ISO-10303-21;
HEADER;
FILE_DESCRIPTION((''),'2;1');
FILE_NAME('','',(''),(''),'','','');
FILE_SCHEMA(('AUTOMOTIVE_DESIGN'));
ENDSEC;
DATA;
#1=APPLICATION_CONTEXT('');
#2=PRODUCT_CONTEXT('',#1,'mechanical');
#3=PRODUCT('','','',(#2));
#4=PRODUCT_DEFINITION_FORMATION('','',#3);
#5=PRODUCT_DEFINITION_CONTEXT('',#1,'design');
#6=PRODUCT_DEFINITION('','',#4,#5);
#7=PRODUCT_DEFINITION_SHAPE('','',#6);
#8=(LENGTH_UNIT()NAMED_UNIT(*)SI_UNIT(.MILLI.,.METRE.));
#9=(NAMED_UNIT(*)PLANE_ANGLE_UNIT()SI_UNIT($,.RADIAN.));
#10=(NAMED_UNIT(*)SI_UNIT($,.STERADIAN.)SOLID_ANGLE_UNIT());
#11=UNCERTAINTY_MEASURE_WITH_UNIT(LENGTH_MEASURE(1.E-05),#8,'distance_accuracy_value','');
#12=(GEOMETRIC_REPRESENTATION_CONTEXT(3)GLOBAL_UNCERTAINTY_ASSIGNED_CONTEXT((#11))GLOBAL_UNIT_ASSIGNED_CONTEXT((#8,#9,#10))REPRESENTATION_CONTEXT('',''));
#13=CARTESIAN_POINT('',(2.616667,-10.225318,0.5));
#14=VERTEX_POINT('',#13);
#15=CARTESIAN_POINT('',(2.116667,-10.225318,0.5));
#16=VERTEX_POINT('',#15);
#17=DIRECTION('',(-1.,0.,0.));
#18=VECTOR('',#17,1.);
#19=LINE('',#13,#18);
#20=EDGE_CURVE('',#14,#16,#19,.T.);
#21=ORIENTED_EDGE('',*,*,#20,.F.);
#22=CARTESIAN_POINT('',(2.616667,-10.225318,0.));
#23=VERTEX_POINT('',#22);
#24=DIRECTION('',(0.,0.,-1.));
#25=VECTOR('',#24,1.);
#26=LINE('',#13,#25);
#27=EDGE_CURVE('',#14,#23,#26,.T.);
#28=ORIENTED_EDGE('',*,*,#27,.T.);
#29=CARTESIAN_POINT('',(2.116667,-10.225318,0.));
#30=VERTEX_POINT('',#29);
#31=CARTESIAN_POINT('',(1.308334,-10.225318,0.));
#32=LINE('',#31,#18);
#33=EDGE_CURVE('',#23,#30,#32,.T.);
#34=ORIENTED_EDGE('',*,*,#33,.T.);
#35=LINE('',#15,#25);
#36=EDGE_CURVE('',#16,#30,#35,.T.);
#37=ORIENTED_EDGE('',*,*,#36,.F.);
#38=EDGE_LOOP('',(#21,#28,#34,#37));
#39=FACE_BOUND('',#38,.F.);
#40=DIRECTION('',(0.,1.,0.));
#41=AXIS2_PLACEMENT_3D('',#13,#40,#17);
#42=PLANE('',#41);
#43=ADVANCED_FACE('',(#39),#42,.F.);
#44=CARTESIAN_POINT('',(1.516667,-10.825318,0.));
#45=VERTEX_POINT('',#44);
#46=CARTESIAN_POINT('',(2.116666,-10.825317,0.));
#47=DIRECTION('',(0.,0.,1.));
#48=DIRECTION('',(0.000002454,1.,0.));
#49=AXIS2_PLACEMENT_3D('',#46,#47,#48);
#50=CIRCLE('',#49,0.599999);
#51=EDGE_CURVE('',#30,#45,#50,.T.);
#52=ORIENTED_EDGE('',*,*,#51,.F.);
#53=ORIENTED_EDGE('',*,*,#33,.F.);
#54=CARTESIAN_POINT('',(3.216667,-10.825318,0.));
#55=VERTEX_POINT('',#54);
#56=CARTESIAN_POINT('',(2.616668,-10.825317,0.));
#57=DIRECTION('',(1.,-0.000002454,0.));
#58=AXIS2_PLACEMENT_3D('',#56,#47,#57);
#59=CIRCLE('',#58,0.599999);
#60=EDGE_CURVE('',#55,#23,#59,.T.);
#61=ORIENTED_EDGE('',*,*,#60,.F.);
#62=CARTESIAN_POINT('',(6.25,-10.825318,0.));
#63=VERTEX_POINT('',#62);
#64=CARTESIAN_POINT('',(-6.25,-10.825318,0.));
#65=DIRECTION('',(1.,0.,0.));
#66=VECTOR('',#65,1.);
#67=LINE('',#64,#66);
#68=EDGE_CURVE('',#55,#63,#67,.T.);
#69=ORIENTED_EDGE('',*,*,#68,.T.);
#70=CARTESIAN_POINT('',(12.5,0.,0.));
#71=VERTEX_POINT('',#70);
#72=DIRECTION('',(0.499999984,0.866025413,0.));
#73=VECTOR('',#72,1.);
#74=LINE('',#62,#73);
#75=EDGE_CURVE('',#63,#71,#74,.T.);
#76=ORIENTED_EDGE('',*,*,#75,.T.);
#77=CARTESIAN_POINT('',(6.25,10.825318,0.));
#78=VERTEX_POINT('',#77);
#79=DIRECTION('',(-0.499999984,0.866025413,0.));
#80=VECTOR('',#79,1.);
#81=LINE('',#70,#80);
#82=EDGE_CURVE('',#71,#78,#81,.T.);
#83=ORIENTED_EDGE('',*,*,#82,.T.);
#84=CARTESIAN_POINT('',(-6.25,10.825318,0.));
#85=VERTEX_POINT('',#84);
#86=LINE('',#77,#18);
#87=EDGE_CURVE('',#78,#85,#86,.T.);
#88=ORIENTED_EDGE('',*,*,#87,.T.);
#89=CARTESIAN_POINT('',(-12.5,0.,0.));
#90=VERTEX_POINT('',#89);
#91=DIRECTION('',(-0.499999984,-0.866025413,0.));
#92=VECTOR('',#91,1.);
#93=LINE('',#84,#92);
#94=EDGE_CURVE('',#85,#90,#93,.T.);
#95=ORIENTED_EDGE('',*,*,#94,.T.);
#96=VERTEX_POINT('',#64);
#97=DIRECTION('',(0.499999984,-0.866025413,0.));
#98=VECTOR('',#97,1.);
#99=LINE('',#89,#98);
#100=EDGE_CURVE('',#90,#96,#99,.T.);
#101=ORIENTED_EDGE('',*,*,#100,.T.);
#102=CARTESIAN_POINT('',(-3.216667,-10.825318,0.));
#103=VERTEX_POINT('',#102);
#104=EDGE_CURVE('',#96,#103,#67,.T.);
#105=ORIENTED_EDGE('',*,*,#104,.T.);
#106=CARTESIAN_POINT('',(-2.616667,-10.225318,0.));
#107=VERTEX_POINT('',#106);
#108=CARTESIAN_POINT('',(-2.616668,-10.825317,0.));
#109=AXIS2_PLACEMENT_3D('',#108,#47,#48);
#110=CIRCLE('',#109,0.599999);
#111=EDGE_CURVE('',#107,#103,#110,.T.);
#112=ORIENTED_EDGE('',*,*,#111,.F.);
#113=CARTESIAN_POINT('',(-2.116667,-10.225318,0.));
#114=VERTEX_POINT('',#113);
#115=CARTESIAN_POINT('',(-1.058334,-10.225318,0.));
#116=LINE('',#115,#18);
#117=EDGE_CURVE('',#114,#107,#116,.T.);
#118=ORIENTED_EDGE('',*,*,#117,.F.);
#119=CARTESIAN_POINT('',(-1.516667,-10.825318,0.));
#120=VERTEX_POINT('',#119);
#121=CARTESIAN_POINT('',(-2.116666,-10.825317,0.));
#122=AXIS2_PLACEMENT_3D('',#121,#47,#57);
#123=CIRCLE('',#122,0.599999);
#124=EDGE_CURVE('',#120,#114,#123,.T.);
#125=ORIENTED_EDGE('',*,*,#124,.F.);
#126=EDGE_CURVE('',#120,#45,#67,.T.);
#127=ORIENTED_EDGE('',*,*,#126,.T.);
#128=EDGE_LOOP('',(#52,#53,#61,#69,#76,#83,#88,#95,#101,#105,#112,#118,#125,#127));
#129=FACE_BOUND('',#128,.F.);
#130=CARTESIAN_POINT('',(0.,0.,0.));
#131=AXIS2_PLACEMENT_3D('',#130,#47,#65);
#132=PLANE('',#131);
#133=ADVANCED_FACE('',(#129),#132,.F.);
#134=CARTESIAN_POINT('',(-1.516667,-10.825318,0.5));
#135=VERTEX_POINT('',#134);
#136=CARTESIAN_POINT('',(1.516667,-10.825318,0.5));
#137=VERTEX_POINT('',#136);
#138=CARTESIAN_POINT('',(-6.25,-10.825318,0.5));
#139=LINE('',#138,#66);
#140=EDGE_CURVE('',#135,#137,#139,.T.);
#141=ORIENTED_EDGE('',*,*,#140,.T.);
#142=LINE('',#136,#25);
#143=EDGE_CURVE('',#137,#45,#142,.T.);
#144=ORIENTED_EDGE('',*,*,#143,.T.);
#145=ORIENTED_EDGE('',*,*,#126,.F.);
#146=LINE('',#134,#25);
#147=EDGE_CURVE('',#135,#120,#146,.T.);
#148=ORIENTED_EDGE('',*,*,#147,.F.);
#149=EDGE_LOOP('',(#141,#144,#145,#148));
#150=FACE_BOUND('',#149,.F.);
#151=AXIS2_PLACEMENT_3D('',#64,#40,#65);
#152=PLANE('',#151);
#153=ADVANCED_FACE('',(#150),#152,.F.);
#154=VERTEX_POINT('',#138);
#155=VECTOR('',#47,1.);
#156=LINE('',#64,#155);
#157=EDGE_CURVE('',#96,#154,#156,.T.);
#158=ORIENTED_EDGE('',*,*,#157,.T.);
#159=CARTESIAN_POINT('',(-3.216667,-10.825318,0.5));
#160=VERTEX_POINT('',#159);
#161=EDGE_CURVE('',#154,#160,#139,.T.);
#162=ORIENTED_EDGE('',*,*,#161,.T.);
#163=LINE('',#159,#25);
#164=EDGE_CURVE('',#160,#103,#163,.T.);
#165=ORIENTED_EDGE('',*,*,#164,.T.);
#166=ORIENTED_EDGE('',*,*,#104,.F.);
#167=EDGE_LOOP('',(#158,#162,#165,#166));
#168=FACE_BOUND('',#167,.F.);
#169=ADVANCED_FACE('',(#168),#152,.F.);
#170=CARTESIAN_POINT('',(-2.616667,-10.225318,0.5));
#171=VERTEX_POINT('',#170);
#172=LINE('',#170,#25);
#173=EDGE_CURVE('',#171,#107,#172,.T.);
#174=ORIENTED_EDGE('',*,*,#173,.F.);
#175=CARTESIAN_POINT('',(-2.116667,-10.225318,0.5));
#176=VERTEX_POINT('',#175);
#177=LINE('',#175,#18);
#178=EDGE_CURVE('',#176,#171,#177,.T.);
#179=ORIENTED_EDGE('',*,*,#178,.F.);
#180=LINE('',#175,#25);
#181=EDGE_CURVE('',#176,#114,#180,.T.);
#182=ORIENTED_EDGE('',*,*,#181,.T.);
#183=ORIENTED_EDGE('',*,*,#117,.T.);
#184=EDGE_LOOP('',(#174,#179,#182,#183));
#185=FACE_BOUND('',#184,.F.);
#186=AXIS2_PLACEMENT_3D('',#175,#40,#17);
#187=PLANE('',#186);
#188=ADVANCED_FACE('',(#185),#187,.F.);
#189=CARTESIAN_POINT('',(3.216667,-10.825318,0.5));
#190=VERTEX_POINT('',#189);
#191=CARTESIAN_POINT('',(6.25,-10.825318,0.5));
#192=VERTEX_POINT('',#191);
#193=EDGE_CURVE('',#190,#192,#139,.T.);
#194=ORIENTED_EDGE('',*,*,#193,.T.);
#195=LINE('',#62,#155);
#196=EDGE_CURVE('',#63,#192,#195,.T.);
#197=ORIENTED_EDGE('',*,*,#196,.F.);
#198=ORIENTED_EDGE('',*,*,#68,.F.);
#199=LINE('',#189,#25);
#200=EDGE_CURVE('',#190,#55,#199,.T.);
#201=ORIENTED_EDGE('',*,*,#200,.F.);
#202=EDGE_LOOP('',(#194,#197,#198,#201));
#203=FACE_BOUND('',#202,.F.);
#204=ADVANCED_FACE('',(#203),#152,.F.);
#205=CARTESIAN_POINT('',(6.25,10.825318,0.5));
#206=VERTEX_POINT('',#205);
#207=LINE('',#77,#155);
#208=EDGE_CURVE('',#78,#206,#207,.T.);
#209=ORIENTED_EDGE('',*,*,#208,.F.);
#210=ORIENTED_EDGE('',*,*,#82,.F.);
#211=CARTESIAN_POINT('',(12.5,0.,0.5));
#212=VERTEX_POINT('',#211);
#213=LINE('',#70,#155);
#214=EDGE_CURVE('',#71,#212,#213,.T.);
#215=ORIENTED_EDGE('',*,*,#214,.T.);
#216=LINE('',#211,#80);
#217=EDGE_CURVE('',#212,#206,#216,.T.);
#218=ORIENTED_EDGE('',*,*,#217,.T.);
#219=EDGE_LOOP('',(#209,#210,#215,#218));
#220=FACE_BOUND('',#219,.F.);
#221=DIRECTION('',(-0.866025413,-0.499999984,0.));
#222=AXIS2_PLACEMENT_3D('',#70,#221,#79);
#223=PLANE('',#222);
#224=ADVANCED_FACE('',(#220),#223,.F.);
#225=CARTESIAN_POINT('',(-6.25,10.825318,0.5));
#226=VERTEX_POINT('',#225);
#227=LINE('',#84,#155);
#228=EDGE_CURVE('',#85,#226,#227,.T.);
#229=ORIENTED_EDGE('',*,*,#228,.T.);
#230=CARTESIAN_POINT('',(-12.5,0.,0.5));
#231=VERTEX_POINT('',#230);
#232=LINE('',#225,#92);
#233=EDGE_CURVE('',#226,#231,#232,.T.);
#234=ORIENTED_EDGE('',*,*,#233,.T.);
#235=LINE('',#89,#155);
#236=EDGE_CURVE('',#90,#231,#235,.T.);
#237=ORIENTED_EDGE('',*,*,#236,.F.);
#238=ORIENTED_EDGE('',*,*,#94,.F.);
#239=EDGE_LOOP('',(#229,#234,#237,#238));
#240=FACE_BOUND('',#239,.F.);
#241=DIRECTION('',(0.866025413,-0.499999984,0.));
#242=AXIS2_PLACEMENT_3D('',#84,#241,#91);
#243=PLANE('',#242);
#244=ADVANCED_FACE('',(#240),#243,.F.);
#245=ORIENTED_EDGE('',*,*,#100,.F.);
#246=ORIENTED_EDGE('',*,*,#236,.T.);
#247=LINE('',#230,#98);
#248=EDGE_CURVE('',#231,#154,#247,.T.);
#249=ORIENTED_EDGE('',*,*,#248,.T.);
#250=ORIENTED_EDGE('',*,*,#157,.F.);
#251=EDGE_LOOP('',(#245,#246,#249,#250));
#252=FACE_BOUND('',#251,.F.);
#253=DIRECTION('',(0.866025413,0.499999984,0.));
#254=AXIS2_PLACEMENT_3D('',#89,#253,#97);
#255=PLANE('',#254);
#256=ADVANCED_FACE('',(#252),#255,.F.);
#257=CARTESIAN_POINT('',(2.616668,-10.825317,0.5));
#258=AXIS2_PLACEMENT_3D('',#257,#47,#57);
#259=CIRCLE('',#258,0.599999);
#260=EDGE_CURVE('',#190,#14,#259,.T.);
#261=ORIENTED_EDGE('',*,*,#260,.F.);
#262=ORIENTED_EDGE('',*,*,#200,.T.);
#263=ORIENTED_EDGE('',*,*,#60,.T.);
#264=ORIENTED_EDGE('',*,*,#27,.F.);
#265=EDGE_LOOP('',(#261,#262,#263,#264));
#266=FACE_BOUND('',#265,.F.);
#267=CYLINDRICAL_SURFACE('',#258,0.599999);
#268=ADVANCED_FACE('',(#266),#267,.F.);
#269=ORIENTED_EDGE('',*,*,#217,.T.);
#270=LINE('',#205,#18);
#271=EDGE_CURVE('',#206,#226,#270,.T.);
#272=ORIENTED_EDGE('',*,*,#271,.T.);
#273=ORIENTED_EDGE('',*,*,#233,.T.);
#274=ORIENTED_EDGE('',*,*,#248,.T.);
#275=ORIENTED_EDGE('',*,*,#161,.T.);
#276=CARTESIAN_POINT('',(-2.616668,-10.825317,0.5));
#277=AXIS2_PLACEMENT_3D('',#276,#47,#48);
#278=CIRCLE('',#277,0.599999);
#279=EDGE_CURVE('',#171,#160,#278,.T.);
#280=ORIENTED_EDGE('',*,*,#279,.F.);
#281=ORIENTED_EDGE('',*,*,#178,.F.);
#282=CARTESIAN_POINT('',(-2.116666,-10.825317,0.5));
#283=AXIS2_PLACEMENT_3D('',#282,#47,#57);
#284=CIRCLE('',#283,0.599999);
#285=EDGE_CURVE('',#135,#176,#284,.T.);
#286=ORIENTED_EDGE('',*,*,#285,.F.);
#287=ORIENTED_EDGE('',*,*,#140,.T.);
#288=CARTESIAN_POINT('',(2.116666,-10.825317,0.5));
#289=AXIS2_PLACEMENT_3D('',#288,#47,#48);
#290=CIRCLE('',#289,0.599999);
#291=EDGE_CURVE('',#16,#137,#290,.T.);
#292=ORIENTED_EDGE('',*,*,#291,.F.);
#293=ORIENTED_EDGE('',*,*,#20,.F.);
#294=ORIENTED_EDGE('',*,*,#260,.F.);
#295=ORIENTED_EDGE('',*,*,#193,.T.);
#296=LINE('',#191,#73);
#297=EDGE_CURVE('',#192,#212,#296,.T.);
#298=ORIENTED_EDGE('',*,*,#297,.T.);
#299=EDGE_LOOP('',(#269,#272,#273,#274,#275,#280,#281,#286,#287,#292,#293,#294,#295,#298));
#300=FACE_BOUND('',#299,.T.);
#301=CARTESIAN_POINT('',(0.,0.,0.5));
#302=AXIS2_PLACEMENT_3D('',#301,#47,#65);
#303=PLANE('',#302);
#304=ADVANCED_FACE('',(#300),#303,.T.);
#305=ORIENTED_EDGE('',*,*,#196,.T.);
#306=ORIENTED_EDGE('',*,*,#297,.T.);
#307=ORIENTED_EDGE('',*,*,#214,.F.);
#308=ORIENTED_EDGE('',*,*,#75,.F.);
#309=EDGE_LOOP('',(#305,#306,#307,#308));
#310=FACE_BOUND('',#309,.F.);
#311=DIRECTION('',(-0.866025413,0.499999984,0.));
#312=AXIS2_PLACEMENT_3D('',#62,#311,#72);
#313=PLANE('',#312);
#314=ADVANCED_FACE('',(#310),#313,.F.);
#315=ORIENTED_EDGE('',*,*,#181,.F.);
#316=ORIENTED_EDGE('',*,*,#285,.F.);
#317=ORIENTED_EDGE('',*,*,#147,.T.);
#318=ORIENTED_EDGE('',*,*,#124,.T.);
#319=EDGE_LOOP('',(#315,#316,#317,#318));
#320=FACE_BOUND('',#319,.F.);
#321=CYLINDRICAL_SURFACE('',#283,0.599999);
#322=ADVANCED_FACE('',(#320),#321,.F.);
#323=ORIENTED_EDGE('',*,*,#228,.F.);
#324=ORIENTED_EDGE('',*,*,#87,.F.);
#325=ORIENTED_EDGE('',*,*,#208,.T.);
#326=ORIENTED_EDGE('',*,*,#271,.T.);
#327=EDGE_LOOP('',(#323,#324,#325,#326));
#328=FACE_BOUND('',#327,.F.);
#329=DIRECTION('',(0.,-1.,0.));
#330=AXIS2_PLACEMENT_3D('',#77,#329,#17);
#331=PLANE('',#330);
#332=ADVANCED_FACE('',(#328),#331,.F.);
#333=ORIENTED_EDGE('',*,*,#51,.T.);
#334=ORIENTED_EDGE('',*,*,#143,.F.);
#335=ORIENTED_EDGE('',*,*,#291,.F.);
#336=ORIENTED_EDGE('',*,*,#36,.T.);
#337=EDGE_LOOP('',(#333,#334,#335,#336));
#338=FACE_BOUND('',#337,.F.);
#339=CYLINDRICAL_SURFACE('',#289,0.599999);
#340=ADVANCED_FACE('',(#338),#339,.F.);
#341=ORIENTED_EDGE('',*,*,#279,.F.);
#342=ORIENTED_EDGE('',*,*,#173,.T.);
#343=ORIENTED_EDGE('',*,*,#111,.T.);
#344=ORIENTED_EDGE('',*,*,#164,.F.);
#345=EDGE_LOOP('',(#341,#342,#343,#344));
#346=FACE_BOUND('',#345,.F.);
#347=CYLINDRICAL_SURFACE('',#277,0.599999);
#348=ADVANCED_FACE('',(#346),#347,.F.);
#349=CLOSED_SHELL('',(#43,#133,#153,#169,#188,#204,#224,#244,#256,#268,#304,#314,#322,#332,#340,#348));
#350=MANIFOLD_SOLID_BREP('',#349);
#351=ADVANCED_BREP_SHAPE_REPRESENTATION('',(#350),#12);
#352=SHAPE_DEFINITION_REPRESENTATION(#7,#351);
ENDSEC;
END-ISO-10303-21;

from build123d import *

# Parameters (mm, degrees)
F1_DEPTH = 0.5
F3_DEPTH = 0.501


with BuildPart() as f1:
    # F0 (on Top) → F1 (new body)
    with BuildSketch(Plane.XY):
        Polygon((6.25, -10.825318), (12.5, 0), (6.25, 10.825318), (-6.25, 10.825318), (-12.5, 0), (-6.25, -10.825318), align=None)
    extrude(amount=F1_DEPTH)

    # F2 (on face) → F3 (cut, through all)
    with BuildSketch(Plane.XY.offset(0.5)):
        with BuildLine():
            ThreePointArc((3.216667, -10.825318), (3.040931, -10.401053), (2.616667, -10.225318))
            Line((2.616667, -10.225318), (2.116667, -10.225318))
            ThreePointArc((2.116667, -10.225318), (1.692403, -10.401053), (1.516667, -10.825318))
            Line((1.516667, -10.825318), (3.216667, -10.825318))
        make_face()
        with BuildLine():
            Line((-3.216667, -10.825318), (-1.516667, -10.825318))
            ThreePointArc((-1.516667, -10.825318), (-1.692403, -10.401053), (-2.116667, -10.225318))
            Line((-2.116667, -10.225318), (-2.616667, -10.225318))
            ThreePointArc((-2.616667, -10.225318), (-3.040931, -10.401053), (-3.216667, -10.825318))
        make_face()
    extrude(amount=-F3_DEPTH, mode=Mode.SUBTRACT)


solid = f1.part
